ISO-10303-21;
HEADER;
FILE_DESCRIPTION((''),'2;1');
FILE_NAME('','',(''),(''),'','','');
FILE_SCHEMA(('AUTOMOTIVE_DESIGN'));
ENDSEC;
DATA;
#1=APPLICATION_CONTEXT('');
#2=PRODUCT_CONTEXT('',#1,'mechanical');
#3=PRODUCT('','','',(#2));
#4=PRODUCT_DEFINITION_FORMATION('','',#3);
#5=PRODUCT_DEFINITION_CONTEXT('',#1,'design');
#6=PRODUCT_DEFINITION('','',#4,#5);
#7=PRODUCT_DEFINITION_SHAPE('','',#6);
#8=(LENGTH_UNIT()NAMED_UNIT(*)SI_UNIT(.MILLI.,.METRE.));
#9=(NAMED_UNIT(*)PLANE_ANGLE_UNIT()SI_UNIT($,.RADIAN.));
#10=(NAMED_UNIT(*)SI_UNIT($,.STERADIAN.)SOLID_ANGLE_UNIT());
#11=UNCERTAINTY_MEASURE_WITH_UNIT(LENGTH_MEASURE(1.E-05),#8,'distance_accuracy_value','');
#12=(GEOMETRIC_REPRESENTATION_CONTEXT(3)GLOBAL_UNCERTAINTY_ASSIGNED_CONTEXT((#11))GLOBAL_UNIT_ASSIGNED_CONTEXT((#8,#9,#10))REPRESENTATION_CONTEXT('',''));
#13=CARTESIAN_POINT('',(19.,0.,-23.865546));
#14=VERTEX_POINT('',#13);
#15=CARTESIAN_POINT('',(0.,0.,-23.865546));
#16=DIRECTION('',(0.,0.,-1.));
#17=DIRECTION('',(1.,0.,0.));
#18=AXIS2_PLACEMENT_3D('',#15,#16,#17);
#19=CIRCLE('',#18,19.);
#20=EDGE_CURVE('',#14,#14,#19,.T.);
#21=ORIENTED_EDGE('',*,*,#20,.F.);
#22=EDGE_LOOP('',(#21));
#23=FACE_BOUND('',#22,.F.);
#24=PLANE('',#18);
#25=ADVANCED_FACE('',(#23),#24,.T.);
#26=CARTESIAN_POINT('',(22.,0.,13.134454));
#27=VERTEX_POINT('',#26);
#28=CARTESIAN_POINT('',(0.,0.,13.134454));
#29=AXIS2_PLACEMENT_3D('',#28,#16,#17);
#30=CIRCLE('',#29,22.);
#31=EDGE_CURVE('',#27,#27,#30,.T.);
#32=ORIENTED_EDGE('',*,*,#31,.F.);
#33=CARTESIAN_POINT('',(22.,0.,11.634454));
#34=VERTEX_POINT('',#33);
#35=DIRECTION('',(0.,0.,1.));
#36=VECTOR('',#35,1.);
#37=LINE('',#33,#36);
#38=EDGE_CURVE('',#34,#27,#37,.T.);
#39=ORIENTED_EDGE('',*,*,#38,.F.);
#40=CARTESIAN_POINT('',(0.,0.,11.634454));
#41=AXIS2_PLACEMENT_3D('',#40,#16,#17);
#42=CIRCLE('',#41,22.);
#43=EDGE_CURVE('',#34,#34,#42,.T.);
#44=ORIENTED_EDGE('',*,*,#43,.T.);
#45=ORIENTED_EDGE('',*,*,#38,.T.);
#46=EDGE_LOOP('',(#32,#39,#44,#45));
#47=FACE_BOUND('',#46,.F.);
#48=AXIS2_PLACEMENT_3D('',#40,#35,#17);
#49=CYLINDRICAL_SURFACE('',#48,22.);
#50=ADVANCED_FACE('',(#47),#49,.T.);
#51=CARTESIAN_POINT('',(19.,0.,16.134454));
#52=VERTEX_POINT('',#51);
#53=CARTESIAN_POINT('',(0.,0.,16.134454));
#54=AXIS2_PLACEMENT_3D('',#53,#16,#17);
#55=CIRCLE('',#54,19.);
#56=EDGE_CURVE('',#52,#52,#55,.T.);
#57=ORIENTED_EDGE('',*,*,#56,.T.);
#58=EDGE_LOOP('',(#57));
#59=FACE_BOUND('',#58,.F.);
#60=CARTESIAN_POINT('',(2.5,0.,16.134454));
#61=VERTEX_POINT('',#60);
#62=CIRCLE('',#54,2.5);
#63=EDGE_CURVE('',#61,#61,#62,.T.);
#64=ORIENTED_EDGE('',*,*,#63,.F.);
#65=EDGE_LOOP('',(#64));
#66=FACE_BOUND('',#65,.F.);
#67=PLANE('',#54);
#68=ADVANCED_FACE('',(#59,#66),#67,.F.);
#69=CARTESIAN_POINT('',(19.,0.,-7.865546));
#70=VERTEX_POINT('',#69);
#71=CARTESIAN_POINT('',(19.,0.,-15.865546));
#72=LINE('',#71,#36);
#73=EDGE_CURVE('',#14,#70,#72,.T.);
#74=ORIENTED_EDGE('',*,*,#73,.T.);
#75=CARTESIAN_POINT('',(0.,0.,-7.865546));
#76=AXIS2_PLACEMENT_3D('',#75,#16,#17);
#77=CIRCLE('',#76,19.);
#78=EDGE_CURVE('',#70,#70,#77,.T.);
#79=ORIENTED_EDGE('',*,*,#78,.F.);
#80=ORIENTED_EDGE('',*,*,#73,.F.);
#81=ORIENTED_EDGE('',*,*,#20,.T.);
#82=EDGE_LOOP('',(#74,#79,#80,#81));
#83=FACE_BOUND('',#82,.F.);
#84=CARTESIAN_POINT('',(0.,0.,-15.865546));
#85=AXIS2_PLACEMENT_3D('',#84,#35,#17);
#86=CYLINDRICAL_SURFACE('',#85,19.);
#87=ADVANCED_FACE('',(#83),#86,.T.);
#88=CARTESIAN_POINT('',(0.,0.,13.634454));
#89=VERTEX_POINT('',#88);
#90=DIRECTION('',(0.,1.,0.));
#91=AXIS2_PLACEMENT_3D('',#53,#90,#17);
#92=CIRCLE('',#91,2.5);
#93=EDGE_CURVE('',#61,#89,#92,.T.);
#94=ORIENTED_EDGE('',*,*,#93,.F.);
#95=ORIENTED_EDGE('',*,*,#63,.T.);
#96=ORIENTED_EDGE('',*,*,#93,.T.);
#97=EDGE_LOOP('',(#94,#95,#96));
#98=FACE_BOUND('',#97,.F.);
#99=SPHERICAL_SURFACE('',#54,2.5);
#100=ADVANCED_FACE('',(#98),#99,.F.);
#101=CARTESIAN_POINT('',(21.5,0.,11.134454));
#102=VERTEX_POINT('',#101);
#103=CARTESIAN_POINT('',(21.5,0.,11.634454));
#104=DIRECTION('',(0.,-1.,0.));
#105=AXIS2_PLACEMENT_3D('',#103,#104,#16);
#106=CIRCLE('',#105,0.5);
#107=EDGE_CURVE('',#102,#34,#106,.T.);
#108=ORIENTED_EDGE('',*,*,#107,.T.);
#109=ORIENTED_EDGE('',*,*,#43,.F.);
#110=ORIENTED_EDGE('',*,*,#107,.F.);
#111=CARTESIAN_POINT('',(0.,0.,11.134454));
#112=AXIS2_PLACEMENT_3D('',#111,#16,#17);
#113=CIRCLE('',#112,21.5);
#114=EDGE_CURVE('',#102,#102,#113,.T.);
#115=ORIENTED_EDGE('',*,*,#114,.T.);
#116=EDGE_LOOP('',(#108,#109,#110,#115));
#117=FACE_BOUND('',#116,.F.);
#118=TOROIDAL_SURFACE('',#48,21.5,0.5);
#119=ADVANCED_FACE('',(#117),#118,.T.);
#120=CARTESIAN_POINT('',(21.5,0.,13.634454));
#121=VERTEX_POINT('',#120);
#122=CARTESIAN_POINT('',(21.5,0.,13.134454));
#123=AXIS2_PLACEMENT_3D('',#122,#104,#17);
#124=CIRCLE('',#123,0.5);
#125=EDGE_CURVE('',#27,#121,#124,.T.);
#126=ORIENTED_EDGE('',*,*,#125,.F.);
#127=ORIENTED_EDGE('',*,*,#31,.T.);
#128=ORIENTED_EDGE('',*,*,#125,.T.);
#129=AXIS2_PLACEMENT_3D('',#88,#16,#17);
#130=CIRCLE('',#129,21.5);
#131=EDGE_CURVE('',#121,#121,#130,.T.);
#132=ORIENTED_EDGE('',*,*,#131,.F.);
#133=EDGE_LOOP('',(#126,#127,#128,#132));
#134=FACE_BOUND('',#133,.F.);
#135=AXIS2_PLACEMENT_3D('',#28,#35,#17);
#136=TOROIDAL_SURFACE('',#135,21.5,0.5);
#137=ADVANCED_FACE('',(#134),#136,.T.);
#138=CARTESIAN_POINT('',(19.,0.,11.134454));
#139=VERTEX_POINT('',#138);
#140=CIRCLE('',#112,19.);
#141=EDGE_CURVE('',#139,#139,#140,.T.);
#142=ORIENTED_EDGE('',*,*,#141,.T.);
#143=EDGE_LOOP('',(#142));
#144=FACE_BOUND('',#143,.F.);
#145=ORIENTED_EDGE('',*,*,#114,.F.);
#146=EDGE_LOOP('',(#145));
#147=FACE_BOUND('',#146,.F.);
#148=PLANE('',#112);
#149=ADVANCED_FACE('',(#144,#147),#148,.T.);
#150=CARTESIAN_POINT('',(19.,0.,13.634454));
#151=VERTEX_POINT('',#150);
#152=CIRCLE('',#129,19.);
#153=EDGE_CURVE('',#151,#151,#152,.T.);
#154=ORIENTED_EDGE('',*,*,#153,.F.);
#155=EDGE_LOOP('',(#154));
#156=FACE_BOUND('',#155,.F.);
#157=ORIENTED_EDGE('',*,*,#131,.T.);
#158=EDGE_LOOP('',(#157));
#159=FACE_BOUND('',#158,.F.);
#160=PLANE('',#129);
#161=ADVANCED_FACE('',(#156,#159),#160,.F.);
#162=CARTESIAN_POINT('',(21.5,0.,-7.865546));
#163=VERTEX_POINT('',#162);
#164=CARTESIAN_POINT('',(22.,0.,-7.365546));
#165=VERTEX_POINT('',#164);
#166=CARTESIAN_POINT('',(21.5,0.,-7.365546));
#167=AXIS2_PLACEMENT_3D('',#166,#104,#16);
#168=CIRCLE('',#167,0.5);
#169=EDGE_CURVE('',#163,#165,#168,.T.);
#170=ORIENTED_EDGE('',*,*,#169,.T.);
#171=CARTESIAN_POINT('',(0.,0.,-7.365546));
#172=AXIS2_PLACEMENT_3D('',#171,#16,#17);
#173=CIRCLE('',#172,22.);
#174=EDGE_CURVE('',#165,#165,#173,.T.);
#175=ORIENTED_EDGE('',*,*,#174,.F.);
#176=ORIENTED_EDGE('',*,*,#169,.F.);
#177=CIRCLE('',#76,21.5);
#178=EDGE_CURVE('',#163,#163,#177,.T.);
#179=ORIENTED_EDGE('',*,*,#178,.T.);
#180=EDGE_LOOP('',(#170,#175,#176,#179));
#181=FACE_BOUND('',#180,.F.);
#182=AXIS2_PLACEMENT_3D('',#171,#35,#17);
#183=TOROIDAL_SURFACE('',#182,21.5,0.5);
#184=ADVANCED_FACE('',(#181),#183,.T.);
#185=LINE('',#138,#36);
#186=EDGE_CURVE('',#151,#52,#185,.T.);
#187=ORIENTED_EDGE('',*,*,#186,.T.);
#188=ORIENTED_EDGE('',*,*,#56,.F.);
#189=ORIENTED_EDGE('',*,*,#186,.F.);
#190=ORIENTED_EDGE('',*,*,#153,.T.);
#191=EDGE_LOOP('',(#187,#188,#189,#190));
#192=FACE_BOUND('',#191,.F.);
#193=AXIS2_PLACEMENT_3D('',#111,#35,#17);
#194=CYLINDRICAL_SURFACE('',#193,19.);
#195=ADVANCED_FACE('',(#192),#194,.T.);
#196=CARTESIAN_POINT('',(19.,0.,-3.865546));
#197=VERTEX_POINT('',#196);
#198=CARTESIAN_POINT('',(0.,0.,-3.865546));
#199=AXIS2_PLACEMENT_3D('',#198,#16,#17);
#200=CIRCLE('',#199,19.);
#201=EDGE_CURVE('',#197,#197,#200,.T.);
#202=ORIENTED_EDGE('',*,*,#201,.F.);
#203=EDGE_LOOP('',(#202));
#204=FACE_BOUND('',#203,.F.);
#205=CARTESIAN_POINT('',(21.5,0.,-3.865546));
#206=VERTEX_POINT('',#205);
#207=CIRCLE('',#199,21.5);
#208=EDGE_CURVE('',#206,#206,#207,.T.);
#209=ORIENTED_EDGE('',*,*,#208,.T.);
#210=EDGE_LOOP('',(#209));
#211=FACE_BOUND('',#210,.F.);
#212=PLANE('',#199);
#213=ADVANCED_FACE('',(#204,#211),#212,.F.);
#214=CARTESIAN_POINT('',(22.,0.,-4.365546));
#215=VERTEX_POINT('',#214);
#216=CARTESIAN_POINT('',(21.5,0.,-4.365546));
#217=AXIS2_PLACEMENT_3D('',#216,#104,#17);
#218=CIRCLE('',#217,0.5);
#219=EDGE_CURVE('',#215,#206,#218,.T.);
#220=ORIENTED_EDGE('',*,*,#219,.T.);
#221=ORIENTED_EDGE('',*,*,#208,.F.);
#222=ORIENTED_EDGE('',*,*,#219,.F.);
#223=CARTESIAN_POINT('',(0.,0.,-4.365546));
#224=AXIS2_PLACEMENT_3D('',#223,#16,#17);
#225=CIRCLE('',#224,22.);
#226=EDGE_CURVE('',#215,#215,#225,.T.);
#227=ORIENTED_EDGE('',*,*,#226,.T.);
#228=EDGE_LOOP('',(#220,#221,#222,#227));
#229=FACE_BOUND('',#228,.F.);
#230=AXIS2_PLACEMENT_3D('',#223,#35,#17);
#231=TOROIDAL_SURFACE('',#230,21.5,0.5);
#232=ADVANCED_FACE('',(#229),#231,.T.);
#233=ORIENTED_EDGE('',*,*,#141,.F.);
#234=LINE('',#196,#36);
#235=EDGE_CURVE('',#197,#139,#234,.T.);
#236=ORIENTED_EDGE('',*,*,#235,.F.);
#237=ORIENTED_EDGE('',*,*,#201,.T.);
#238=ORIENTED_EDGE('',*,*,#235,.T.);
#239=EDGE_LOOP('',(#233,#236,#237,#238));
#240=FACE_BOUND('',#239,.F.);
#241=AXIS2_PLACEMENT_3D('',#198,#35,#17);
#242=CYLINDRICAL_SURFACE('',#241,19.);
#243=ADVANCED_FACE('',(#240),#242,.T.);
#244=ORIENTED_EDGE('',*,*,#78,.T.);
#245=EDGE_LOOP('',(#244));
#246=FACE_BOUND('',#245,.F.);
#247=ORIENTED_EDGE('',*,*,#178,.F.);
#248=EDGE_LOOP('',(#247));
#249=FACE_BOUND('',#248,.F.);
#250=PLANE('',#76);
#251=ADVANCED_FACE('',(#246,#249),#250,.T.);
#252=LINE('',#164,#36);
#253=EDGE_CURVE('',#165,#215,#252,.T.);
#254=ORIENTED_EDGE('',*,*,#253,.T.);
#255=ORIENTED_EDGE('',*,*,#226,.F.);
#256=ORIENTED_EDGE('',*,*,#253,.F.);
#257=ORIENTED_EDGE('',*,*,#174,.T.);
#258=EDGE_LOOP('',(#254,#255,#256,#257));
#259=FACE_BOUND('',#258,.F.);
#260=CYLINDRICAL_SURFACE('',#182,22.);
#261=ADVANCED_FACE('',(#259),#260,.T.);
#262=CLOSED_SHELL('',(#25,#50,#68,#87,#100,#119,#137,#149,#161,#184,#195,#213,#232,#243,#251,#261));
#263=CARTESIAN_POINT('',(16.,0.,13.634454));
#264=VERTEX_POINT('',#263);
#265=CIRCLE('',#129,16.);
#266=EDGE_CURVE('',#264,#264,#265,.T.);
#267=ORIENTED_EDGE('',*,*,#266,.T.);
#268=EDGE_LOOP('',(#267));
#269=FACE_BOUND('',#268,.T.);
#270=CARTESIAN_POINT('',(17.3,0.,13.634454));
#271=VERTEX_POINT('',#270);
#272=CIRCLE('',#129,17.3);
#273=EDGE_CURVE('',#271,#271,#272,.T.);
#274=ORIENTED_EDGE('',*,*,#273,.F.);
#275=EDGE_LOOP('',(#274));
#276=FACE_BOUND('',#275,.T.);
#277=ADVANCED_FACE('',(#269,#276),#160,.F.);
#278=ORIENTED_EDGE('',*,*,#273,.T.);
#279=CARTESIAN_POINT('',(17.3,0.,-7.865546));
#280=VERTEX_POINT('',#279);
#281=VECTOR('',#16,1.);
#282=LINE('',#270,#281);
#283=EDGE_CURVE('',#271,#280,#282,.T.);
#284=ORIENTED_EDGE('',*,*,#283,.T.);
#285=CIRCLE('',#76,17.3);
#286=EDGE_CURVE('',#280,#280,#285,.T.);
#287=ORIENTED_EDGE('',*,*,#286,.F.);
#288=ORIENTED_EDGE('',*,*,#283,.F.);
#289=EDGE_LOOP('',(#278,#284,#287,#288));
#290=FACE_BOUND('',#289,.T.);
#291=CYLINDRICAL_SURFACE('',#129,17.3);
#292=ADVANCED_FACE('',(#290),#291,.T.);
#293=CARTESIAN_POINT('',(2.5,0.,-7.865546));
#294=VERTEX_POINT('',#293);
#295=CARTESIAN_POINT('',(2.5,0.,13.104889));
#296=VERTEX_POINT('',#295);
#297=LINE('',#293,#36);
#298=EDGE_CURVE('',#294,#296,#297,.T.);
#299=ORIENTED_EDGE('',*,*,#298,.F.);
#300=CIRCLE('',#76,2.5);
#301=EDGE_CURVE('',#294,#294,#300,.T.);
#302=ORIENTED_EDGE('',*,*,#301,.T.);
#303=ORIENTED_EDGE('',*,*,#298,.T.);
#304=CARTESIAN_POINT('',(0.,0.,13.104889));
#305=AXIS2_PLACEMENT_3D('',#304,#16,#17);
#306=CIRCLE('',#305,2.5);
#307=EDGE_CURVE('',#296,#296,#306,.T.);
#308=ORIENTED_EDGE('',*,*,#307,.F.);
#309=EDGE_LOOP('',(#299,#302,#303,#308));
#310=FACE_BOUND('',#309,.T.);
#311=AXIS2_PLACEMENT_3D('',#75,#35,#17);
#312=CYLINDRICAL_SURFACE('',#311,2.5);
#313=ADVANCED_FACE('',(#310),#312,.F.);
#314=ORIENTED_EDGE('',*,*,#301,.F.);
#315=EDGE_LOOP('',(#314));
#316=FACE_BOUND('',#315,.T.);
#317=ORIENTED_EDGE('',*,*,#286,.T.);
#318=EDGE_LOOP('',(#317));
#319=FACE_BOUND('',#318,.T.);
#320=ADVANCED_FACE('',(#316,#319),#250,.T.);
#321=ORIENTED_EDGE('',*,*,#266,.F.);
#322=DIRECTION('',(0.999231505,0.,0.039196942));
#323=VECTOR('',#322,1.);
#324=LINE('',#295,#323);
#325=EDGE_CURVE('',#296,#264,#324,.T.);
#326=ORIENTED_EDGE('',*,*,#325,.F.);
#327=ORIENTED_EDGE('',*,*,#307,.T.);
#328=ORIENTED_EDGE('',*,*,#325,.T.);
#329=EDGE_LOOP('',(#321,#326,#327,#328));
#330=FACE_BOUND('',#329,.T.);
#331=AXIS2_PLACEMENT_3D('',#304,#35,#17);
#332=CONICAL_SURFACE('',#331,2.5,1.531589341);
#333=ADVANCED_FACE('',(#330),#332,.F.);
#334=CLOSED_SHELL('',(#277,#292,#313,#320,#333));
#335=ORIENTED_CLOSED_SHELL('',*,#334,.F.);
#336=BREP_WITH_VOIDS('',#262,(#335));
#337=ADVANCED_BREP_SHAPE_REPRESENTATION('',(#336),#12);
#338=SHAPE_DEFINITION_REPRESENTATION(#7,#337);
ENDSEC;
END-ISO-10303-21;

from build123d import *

# Parameters (mm, degrees)
F0_W   = 1.3
F0_H   = 2.5
F0_W_2 = 1.7
F0_W_3 = 2.5
F0_H_2 = 10.6689085803
F0_H_3 = 3.8655457098
F0_H_4 = 4
F0_H_5 = 16
F0_W_4 = 13.5


with BuildPart() as f1:
    # F0 (on Front) → F1 (revolve)
    with BuildSketch(Plane.XZ):
        with Locations((16.65, 14.8844542902)):
            Rectangle(F0_W, F0_H)
        Polygon((16, 13.6344542902), (16, 16.1344542902), (2.5, 16.1344542902), (2.5, 13.1048886105), align=None)
        with Locations((18.15, 14.8844542902)):
            Rectangle(F0_W_2, F0_H)
        with BuildLine():
            Line((2.5, 13.1048886105), (2.5, 16.1344542902))
            ThreePointArc((2.5, 16.1344542902), (1.767766953, 14.3666873372), (0, 13.6344542902))
            Line((0, 13.6344542902), (0, 11.1344542902))
            Line((0, 11.1344542902), (0, 10.6689085803))
            Line((0, 10.6689085803), (2.5, 10.6689085803))
            Line((2.5, 10.6689085803), (2.5, 13.1048886105))
        make_face()
        with Locations((18.15, 12.3844542902)):
            Rectangle(F0_W_2, F0_H)
        with BuildLine():
            Line((21.5, 13.6344542902), (19, 13.6344542902))
            Line((19, 13.6344542902), (19, 11.1344542902))
            Line((19, 11.1344542902), (21.5, 11.1344542902))
            ThreePointArc((21.5, 11.1344542902), (21.8535533906, 11.2809008996), (22, 11.6344542902))
            Line((22, 11.6344542902), (22, 13.1344542902))
            ThreePointArc((22, 13.1344542902), (21.8535533906, 13.4880076808), (21.5, 13.6344542902))
        make_face()
        Polygon((19, 11.1344542902), (17.3, 11.1344542902), (17.3, 10.6689085803), (17.3, 6.6344542902), (17.3, 4.0344542902), (17.3, 0), (17.3, -3.8655457098), (19, -3.8655457098), align=None)
        with Locations((1.25, 5.3344542902)):
            Rectangle(F0_W_3, F0_H_2)
        with Locations((1.25, -1.9327728549)):
            Rectangle(F0_W_3, F0_H_3)
        with BuildLine():
            Line((21.5, -3.8655457098), (19, -3.8655457098))
            Line((19, -3.8655457098), (19, -7.8655457098))
            Line((19, -7.8655457098), (21.5, -7.8655457098))
            ThreePointArc((21.5, -7.8655457098), (21.8535533906, -7.7190991004), (22, -7.3655457098))
            Line((22, -7.3655457098), (22, -4.3655457098))
            ThreePointArc((22, -4.3655457098), (21.8535533906, -4.0119923192), (21.5, -3.8655457098))
        make_face()
        with Locations((18.15, -5.8655457098)):
            Rectangle(F0_W_2, F0_H_4)
        with Locations((1.25, -5.8655457098)):
            Rectangle(F0_W_3, F0_H_4)
        with Locations((18.15, -15.8655457098)):
            Rectangle(F0_W_2, F0_H_5)
        with Locations((9.25, -15.8655457098)):
            Rectangle(F0_W_4, F0_H_5)
        with Locations((1.25, -15.8655457098)):
            Rectangle(F0_W_3, F0_H_5)
        with Locations((16.65, -15.8655457098)):
            Rectangle(F0_W, F0_H_5)
    revolve(axis=Axis((0, 0, -3.389431617), (0, 0, -1)))


solid = f1.part
